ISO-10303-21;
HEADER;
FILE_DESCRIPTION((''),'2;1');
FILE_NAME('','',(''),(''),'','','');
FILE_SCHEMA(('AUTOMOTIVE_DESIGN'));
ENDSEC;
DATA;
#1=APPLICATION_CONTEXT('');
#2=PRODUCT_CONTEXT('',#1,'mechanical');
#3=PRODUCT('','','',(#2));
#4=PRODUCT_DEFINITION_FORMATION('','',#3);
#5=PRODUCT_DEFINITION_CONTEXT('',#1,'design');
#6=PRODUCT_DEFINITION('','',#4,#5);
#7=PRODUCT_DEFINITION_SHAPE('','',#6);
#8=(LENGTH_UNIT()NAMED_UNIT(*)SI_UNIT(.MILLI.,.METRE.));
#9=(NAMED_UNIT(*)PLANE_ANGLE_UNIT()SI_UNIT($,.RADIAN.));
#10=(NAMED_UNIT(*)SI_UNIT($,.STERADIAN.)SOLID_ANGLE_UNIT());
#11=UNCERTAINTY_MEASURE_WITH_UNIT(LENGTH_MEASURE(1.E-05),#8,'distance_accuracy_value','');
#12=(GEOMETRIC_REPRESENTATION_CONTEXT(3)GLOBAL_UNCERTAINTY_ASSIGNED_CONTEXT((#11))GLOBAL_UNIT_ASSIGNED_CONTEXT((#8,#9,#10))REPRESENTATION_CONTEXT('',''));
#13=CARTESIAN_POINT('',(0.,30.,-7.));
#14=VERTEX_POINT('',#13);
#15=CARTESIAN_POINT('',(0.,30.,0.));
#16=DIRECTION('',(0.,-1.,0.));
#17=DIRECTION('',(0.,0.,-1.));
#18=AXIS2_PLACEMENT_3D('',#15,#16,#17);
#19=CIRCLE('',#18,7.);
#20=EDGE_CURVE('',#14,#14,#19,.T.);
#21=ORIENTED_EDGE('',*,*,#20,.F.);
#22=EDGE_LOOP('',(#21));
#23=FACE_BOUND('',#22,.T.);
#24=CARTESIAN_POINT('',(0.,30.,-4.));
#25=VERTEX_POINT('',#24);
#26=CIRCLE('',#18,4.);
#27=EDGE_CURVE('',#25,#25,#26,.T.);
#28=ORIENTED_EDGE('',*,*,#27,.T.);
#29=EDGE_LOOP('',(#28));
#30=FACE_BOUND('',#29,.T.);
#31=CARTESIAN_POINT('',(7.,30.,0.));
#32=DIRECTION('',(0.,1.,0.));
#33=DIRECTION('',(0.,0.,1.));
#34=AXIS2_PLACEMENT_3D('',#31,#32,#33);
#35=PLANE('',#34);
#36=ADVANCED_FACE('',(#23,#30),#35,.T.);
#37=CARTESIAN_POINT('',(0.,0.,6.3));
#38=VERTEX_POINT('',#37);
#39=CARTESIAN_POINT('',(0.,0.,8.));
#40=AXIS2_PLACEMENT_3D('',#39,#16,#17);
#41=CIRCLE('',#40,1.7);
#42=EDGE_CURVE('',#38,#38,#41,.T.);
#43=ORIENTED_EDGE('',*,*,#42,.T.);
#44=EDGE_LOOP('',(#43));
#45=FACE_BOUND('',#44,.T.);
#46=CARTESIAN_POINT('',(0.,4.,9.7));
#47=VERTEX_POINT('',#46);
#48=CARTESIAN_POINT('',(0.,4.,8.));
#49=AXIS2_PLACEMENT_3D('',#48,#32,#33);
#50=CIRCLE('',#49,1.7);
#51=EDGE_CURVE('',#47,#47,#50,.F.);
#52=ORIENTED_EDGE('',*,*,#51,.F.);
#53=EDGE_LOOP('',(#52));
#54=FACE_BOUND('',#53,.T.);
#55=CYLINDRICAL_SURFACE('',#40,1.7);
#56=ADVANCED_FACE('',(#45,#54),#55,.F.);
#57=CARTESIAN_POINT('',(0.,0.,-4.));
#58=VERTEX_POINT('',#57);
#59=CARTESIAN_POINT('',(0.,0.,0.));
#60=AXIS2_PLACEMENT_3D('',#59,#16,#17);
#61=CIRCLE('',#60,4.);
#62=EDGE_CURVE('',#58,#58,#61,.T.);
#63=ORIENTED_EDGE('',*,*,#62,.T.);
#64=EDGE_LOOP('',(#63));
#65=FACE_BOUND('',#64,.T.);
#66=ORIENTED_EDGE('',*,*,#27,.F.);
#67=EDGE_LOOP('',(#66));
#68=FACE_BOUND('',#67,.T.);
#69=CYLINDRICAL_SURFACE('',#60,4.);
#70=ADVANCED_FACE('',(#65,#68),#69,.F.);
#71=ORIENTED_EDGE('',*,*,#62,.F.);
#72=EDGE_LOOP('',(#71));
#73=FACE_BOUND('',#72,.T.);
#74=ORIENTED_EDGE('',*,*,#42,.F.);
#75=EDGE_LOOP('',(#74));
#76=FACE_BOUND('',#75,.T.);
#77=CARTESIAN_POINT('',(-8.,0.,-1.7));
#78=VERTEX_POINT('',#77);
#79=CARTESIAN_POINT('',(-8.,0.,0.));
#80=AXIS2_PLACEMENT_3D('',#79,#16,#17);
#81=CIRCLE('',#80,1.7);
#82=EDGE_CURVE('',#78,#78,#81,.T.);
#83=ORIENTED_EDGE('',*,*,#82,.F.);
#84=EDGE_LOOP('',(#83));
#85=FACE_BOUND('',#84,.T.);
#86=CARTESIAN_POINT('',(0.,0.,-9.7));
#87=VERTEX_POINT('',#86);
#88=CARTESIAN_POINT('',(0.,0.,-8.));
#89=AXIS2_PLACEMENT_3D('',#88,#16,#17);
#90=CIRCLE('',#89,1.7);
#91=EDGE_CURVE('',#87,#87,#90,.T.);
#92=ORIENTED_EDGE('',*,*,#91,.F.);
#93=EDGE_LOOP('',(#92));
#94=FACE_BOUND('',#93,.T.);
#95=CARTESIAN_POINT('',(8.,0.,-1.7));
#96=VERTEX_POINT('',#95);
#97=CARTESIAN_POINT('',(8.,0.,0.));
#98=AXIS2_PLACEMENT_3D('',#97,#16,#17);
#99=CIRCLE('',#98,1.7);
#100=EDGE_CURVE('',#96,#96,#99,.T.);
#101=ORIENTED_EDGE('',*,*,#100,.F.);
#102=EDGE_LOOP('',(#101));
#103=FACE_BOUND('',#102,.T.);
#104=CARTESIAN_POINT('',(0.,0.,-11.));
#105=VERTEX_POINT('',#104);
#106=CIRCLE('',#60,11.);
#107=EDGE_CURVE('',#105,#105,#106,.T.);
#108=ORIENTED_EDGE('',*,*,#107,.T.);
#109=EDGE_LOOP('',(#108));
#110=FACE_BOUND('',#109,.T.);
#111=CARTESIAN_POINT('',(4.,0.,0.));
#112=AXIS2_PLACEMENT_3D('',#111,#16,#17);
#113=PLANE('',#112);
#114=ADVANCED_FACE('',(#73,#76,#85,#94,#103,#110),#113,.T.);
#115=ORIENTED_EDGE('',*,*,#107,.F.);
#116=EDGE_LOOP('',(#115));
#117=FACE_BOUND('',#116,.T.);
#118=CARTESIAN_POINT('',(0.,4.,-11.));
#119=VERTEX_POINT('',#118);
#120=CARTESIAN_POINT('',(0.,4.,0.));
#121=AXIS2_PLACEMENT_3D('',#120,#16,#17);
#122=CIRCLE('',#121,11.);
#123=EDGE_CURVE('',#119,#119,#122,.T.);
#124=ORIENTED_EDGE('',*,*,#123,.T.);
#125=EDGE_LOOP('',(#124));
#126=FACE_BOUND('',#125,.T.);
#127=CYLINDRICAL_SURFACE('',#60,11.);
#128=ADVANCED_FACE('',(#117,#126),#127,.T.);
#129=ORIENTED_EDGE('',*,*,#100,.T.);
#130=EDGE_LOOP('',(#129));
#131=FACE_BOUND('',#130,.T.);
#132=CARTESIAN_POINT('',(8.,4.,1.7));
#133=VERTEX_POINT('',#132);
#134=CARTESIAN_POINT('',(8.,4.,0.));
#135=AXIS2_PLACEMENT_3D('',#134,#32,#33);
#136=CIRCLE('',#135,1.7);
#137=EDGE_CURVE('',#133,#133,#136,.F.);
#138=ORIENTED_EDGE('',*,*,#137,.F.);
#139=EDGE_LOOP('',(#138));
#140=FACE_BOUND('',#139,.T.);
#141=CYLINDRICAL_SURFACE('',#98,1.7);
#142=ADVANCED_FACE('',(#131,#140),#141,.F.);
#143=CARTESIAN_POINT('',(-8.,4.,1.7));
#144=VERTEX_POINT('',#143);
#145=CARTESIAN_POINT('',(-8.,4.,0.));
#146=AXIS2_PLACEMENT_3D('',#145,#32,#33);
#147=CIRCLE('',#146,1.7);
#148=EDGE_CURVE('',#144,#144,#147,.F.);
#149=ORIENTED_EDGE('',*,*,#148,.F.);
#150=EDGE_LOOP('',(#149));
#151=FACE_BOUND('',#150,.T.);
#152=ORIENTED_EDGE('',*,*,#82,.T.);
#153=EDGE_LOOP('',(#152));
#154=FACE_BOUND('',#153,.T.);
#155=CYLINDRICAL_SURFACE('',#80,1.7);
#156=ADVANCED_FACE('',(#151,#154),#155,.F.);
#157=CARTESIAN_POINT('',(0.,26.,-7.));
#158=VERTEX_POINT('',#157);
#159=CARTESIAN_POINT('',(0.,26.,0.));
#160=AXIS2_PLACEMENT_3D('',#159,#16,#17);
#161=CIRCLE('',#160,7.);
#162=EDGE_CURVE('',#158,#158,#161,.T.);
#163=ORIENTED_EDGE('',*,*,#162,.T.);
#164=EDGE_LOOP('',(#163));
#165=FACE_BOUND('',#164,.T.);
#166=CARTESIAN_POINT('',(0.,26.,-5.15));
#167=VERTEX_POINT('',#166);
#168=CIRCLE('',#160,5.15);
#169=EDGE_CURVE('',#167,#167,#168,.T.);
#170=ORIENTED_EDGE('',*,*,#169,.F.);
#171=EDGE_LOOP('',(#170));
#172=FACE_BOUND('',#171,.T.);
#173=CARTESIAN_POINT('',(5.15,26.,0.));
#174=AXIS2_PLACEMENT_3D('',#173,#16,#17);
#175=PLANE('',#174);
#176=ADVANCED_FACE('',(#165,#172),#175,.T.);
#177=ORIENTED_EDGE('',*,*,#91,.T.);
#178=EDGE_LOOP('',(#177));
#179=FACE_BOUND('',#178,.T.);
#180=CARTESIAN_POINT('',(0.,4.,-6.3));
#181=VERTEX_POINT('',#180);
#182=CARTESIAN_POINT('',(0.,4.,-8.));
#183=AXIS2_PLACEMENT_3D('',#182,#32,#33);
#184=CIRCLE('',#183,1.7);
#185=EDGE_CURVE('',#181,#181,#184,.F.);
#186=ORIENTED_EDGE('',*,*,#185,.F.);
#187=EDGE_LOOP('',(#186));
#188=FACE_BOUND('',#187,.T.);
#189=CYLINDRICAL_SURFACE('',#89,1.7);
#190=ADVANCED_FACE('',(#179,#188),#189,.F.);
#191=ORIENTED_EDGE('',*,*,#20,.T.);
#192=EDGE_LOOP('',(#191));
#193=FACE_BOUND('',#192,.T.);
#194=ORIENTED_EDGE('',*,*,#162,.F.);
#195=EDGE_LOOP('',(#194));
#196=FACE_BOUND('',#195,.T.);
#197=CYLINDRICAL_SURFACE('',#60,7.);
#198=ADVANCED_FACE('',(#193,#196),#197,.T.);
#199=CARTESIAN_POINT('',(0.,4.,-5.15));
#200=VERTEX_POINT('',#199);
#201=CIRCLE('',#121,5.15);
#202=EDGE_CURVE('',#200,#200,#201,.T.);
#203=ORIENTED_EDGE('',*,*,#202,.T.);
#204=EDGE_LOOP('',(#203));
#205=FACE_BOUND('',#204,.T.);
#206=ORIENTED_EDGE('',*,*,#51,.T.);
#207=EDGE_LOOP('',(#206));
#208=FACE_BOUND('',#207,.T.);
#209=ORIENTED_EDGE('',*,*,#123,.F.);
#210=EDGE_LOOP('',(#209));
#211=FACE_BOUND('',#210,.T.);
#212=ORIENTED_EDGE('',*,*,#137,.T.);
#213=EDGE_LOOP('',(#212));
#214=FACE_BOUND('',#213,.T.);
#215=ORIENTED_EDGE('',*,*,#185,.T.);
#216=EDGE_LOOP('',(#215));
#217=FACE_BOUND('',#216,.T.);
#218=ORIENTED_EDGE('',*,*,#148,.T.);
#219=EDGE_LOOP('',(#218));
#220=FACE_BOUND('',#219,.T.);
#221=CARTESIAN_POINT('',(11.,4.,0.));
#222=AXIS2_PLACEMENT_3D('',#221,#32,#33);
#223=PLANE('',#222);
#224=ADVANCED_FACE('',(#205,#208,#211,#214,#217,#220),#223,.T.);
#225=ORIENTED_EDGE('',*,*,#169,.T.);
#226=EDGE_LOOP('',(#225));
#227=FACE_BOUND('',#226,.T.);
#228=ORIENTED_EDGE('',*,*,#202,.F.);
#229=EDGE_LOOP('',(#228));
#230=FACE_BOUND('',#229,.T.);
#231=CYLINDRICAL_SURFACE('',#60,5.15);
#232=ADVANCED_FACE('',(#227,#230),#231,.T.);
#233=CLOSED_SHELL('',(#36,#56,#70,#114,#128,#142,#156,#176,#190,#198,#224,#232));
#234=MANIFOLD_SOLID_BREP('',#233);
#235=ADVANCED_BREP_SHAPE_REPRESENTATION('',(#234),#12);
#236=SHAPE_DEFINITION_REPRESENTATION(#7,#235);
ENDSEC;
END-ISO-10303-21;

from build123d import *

# Parameters (mm, degrees)
M3_CLEARANCE_HOLE1_REACH  = 35.793
M3_CLEARANCE_HOLE1_BORE_R = 1.7


with BuildPart() as part:
    # Sketch2 → Revolve1 (revolve)
    with BuildSketch(Plane.XY, mode=Mode.PRIVATE) as revolve1_sk:
        Polygon((4, 30), (4, 0), (11, 0), (11, 4), (5.15, 4), (5.15, 26), (7, 26), (7, 30), align=None)
    revolve(revolve1_sk.sketch.rotate(Axis((0, 0, 0), (0, 1, 0)), 90), axis=Axis((0, 0, 0), (0, 1, 0)))

    # M3 Clearance Hole1 bore → M3 Clearance Hole1 (cut, up to next)
    with BuildSketch(Plane(origin=(0, 0, 0), x_dir=(-1, 0, 0), z_dir=(0, -1, 0)), mode=Mode.PRIVATE) as m3_clearance_hole1_sk1:
        with Locations((0, -8)):
            Circle(M3_CLEARANCE_HOLE1_BORE_R)
    m3_clearance_hole1_tool1 = extrude(m3_clearance_hole1_sk1.sketch, amount=-M3_CLEARANCE_HOLE1_REACH, mode=Mode.PRIVATE) & part.part
    # M3 Clearance Hole1 bore → M3 Clearance Hole1 (cut, up to next)
    with BuildSketch(Plane(origin=(0, 0, 0), x_dir=(-1, 0, 0), z_dir=(0, -1, 0)), mode=Mode.PRIVATE) as m3_clearance_hole1_sk2:
        with Locations((-8, 0)):
            Circle(M3_CLEARANCE_HOLE1_BORE_R)
    m3_clearance_hole1_tool2 = extrude(m3_clearance_hole1_sk2.sketch, amount=-M3_CLEARANCE_HOLE1_REACH, mode=Mode.PRIVATE) & part.part
    # M3 Clearance Hole1 bore → M3 Clearance Hole1 (cut, up to next)
    with BuildSketch(Plane(origin=(0, 0, 0), x_dir=(-1, 0, 0), z_dir=(0, -1, 0)), mode=Mode.PRIVATE) as m3_clearance_hole1_sk3:
        with Locations((0, 8)):
            Circle(M3_CLEARANCE_HOLE1_BORE_R)
    m3_clearance_hole1_tool3 = extrude(m3_clearance_hole1_sk3.sketch, amount=-M3_CLEARANCE_HOLE1_REACH, mode=Mode.PRIVATE) & part.part
    # M3 Clearance Hole1 bore → M3 Clearance Hole1 (cut, up to next)
    with BuildSketch(Plane(origin=(0, 0, 0), x_dir=(-1, 0, 0), z_dir=(0, -1, 0)), mode=Mode.PRIVATE) as m3_clearance_hole1_sk4:
        with Locations((8, 0)):
            Circle(M3_CLEARANCE_HOLE1_BORE_R)
    m3_clearance_hole1_tool4 = extrude(m3_clearance_hole1_sk4.sketch, amount=-M3_CLEARANCE_HOLE1_REACH, mode=Mode.PRIVATE) & part.part
    add(m3_clearance_hole1_tool1.solids().sort_by_distance((0, 0, 8))[0], mode=Mode.SUBTRACT)
    add(m3_clearance_hole1_tool2.solids().sort_by_distance((8, 0, 0))[0], mode=Mode.SUBTRACT)
    add(m3_clearance_hole1_tool3.solids().sort_by_distance((0, 0, -8))[0], mode=Mode.SUBTRACT)
    add(m3_clearance_hole1_tool4.solids().sort_by_distance((-8, 0, 0))[0], mode=Mode.SUBTRACT)


solid = part.part
